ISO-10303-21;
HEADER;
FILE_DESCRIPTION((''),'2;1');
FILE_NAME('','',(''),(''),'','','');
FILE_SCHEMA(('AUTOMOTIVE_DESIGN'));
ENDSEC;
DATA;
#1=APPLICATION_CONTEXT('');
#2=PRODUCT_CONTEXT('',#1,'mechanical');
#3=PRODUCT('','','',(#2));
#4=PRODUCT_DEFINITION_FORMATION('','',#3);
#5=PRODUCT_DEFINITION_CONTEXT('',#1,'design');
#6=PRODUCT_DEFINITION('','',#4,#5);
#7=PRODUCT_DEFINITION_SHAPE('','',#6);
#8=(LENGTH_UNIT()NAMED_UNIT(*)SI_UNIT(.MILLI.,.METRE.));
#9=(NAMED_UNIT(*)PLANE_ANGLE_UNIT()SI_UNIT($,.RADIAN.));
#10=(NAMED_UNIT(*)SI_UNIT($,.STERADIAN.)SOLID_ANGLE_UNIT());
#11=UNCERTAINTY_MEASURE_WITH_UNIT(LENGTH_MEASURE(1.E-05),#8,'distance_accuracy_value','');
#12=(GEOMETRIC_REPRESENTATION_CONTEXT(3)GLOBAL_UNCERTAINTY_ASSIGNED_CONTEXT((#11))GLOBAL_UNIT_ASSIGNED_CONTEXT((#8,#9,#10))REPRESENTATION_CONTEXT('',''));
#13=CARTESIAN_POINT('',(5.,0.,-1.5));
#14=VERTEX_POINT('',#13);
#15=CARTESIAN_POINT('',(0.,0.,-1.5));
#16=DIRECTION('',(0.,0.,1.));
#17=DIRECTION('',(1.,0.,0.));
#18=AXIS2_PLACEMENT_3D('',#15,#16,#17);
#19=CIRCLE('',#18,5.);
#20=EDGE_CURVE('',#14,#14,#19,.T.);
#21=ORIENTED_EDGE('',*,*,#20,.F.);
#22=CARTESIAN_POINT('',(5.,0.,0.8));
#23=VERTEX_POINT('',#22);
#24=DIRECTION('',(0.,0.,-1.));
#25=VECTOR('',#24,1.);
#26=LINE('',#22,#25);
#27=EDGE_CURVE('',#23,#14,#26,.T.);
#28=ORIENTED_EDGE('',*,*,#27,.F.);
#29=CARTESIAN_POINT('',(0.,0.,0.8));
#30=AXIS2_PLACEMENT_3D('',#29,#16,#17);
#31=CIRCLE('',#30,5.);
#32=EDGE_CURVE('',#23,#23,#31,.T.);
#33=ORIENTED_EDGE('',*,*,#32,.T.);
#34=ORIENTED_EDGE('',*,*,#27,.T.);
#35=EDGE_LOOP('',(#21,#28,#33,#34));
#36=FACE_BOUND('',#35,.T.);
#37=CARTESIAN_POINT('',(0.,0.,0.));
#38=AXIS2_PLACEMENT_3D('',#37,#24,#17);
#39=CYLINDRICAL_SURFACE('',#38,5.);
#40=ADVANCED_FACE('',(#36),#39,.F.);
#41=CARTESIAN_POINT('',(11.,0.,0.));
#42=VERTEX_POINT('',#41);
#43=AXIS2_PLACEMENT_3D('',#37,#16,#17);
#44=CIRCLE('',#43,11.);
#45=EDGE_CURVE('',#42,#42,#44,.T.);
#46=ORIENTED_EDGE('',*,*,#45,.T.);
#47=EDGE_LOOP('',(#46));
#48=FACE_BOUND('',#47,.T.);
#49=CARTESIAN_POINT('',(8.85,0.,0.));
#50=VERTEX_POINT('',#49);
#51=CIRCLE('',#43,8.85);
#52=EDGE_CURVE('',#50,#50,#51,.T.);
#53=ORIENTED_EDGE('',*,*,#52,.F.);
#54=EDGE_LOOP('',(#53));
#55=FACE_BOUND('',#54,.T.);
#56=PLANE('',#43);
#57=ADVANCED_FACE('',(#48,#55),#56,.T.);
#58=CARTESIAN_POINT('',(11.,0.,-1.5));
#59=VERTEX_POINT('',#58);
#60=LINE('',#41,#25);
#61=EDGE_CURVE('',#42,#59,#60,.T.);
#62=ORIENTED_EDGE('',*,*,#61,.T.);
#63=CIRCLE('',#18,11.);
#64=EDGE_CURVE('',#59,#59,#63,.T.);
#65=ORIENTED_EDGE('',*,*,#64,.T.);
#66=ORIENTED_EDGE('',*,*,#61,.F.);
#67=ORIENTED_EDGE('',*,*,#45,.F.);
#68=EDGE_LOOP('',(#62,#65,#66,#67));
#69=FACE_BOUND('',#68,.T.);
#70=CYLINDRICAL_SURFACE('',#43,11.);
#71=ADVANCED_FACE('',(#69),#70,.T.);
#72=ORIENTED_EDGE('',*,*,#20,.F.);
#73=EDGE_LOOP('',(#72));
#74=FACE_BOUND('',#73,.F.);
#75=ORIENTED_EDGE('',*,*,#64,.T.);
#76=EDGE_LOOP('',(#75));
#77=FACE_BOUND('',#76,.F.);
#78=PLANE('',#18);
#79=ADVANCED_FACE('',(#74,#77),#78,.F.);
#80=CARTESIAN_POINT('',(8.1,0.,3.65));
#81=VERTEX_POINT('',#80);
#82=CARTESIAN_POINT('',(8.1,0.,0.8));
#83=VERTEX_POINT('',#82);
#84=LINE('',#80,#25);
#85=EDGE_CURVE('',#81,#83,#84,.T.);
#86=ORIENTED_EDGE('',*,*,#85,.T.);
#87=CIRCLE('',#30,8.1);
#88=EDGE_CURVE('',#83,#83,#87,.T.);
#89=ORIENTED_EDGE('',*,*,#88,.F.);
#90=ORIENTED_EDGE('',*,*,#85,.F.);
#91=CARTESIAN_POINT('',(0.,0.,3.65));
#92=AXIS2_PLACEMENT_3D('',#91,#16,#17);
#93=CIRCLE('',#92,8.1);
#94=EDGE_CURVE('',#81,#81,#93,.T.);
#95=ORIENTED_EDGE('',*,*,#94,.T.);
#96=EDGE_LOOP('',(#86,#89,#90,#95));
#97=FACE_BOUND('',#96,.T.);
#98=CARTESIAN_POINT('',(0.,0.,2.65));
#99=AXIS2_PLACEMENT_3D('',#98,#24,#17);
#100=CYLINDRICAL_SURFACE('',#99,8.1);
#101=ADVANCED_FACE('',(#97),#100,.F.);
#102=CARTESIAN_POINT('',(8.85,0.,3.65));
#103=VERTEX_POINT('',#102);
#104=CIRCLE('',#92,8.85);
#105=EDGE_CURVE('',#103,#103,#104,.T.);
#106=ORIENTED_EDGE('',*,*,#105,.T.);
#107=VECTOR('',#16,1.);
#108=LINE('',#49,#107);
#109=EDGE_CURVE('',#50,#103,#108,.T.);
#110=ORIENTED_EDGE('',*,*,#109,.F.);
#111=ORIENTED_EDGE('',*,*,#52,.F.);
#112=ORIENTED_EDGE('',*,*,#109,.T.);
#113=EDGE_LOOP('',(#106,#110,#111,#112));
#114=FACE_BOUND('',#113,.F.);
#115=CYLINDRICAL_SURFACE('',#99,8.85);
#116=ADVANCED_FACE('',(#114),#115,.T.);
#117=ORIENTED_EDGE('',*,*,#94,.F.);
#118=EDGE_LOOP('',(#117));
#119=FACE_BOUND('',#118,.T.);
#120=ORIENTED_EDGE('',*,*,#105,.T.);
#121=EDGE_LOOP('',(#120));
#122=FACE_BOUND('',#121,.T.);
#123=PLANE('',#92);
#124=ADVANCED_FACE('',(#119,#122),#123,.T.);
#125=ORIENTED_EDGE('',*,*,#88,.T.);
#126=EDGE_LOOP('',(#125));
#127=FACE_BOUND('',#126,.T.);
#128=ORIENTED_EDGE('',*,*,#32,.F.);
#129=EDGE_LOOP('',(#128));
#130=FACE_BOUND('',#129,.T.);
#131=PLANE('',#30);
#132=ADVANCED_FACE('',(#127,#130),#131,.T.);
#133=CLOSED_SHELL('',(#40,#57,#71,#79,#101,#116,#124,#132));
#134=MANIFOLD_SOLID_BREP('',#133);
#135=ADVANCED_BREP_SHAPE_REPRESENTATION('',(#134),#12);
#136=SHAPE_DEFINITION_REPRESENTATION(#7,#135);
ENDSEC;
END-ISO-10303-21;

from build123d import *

# Parameters (mm, degrees)
F0_R     = 11
F0_R_2   = 8.85
F0_R_3   = 8.1
F0_R_4   = 5
F1_DEPTH = 1.5
F2_DEPTH = 2.65
F3_DEPTH = 1
F4_DEPTH = 0.8


with BuildPart() as f1:
    # F0 (on Top) → F1 (new body)
    with BuildSketch(Plane.XY):
        Circle(F0_R)
        Circle(F0_R_2, mode=Mode.SUBTRACT)
        Circle(F0_R_2)
        Circle(F0_R_3, mode=Mode.SUBTRACT)
        Circle(F0_R_3)
        Circle(F0_R_4, mode=Mode.SUBTRACT)
    extrude(amount=-F1_DEPTH)

    # F0 (on Top) → F2 (join)
    with BuildSketch(Plane.XY):
        Circle(F0_R_2)
        Circle(F0_R_3, mode=Mode.SUBTRACT)
    extrude(amount=F2_DEPTH)

    # F3 (add): a face of the model
    f3_faces = [f1.faces().sort_by_distance(p)[0] for p in [
        (-8.5996841995, 0, 2.65),
    ]]
    extrude(f3_faces, amount=F3_DEPTH)

    # F4 (add): a face of the model
    f4_faces = [f1.faces().sort_by_distance(p)[0] for p in [
        (-7.8708974029, 0, 0),
    ]]
    extrude(f4_faces, amount=F4_DEPTH)


solid = f1.part
